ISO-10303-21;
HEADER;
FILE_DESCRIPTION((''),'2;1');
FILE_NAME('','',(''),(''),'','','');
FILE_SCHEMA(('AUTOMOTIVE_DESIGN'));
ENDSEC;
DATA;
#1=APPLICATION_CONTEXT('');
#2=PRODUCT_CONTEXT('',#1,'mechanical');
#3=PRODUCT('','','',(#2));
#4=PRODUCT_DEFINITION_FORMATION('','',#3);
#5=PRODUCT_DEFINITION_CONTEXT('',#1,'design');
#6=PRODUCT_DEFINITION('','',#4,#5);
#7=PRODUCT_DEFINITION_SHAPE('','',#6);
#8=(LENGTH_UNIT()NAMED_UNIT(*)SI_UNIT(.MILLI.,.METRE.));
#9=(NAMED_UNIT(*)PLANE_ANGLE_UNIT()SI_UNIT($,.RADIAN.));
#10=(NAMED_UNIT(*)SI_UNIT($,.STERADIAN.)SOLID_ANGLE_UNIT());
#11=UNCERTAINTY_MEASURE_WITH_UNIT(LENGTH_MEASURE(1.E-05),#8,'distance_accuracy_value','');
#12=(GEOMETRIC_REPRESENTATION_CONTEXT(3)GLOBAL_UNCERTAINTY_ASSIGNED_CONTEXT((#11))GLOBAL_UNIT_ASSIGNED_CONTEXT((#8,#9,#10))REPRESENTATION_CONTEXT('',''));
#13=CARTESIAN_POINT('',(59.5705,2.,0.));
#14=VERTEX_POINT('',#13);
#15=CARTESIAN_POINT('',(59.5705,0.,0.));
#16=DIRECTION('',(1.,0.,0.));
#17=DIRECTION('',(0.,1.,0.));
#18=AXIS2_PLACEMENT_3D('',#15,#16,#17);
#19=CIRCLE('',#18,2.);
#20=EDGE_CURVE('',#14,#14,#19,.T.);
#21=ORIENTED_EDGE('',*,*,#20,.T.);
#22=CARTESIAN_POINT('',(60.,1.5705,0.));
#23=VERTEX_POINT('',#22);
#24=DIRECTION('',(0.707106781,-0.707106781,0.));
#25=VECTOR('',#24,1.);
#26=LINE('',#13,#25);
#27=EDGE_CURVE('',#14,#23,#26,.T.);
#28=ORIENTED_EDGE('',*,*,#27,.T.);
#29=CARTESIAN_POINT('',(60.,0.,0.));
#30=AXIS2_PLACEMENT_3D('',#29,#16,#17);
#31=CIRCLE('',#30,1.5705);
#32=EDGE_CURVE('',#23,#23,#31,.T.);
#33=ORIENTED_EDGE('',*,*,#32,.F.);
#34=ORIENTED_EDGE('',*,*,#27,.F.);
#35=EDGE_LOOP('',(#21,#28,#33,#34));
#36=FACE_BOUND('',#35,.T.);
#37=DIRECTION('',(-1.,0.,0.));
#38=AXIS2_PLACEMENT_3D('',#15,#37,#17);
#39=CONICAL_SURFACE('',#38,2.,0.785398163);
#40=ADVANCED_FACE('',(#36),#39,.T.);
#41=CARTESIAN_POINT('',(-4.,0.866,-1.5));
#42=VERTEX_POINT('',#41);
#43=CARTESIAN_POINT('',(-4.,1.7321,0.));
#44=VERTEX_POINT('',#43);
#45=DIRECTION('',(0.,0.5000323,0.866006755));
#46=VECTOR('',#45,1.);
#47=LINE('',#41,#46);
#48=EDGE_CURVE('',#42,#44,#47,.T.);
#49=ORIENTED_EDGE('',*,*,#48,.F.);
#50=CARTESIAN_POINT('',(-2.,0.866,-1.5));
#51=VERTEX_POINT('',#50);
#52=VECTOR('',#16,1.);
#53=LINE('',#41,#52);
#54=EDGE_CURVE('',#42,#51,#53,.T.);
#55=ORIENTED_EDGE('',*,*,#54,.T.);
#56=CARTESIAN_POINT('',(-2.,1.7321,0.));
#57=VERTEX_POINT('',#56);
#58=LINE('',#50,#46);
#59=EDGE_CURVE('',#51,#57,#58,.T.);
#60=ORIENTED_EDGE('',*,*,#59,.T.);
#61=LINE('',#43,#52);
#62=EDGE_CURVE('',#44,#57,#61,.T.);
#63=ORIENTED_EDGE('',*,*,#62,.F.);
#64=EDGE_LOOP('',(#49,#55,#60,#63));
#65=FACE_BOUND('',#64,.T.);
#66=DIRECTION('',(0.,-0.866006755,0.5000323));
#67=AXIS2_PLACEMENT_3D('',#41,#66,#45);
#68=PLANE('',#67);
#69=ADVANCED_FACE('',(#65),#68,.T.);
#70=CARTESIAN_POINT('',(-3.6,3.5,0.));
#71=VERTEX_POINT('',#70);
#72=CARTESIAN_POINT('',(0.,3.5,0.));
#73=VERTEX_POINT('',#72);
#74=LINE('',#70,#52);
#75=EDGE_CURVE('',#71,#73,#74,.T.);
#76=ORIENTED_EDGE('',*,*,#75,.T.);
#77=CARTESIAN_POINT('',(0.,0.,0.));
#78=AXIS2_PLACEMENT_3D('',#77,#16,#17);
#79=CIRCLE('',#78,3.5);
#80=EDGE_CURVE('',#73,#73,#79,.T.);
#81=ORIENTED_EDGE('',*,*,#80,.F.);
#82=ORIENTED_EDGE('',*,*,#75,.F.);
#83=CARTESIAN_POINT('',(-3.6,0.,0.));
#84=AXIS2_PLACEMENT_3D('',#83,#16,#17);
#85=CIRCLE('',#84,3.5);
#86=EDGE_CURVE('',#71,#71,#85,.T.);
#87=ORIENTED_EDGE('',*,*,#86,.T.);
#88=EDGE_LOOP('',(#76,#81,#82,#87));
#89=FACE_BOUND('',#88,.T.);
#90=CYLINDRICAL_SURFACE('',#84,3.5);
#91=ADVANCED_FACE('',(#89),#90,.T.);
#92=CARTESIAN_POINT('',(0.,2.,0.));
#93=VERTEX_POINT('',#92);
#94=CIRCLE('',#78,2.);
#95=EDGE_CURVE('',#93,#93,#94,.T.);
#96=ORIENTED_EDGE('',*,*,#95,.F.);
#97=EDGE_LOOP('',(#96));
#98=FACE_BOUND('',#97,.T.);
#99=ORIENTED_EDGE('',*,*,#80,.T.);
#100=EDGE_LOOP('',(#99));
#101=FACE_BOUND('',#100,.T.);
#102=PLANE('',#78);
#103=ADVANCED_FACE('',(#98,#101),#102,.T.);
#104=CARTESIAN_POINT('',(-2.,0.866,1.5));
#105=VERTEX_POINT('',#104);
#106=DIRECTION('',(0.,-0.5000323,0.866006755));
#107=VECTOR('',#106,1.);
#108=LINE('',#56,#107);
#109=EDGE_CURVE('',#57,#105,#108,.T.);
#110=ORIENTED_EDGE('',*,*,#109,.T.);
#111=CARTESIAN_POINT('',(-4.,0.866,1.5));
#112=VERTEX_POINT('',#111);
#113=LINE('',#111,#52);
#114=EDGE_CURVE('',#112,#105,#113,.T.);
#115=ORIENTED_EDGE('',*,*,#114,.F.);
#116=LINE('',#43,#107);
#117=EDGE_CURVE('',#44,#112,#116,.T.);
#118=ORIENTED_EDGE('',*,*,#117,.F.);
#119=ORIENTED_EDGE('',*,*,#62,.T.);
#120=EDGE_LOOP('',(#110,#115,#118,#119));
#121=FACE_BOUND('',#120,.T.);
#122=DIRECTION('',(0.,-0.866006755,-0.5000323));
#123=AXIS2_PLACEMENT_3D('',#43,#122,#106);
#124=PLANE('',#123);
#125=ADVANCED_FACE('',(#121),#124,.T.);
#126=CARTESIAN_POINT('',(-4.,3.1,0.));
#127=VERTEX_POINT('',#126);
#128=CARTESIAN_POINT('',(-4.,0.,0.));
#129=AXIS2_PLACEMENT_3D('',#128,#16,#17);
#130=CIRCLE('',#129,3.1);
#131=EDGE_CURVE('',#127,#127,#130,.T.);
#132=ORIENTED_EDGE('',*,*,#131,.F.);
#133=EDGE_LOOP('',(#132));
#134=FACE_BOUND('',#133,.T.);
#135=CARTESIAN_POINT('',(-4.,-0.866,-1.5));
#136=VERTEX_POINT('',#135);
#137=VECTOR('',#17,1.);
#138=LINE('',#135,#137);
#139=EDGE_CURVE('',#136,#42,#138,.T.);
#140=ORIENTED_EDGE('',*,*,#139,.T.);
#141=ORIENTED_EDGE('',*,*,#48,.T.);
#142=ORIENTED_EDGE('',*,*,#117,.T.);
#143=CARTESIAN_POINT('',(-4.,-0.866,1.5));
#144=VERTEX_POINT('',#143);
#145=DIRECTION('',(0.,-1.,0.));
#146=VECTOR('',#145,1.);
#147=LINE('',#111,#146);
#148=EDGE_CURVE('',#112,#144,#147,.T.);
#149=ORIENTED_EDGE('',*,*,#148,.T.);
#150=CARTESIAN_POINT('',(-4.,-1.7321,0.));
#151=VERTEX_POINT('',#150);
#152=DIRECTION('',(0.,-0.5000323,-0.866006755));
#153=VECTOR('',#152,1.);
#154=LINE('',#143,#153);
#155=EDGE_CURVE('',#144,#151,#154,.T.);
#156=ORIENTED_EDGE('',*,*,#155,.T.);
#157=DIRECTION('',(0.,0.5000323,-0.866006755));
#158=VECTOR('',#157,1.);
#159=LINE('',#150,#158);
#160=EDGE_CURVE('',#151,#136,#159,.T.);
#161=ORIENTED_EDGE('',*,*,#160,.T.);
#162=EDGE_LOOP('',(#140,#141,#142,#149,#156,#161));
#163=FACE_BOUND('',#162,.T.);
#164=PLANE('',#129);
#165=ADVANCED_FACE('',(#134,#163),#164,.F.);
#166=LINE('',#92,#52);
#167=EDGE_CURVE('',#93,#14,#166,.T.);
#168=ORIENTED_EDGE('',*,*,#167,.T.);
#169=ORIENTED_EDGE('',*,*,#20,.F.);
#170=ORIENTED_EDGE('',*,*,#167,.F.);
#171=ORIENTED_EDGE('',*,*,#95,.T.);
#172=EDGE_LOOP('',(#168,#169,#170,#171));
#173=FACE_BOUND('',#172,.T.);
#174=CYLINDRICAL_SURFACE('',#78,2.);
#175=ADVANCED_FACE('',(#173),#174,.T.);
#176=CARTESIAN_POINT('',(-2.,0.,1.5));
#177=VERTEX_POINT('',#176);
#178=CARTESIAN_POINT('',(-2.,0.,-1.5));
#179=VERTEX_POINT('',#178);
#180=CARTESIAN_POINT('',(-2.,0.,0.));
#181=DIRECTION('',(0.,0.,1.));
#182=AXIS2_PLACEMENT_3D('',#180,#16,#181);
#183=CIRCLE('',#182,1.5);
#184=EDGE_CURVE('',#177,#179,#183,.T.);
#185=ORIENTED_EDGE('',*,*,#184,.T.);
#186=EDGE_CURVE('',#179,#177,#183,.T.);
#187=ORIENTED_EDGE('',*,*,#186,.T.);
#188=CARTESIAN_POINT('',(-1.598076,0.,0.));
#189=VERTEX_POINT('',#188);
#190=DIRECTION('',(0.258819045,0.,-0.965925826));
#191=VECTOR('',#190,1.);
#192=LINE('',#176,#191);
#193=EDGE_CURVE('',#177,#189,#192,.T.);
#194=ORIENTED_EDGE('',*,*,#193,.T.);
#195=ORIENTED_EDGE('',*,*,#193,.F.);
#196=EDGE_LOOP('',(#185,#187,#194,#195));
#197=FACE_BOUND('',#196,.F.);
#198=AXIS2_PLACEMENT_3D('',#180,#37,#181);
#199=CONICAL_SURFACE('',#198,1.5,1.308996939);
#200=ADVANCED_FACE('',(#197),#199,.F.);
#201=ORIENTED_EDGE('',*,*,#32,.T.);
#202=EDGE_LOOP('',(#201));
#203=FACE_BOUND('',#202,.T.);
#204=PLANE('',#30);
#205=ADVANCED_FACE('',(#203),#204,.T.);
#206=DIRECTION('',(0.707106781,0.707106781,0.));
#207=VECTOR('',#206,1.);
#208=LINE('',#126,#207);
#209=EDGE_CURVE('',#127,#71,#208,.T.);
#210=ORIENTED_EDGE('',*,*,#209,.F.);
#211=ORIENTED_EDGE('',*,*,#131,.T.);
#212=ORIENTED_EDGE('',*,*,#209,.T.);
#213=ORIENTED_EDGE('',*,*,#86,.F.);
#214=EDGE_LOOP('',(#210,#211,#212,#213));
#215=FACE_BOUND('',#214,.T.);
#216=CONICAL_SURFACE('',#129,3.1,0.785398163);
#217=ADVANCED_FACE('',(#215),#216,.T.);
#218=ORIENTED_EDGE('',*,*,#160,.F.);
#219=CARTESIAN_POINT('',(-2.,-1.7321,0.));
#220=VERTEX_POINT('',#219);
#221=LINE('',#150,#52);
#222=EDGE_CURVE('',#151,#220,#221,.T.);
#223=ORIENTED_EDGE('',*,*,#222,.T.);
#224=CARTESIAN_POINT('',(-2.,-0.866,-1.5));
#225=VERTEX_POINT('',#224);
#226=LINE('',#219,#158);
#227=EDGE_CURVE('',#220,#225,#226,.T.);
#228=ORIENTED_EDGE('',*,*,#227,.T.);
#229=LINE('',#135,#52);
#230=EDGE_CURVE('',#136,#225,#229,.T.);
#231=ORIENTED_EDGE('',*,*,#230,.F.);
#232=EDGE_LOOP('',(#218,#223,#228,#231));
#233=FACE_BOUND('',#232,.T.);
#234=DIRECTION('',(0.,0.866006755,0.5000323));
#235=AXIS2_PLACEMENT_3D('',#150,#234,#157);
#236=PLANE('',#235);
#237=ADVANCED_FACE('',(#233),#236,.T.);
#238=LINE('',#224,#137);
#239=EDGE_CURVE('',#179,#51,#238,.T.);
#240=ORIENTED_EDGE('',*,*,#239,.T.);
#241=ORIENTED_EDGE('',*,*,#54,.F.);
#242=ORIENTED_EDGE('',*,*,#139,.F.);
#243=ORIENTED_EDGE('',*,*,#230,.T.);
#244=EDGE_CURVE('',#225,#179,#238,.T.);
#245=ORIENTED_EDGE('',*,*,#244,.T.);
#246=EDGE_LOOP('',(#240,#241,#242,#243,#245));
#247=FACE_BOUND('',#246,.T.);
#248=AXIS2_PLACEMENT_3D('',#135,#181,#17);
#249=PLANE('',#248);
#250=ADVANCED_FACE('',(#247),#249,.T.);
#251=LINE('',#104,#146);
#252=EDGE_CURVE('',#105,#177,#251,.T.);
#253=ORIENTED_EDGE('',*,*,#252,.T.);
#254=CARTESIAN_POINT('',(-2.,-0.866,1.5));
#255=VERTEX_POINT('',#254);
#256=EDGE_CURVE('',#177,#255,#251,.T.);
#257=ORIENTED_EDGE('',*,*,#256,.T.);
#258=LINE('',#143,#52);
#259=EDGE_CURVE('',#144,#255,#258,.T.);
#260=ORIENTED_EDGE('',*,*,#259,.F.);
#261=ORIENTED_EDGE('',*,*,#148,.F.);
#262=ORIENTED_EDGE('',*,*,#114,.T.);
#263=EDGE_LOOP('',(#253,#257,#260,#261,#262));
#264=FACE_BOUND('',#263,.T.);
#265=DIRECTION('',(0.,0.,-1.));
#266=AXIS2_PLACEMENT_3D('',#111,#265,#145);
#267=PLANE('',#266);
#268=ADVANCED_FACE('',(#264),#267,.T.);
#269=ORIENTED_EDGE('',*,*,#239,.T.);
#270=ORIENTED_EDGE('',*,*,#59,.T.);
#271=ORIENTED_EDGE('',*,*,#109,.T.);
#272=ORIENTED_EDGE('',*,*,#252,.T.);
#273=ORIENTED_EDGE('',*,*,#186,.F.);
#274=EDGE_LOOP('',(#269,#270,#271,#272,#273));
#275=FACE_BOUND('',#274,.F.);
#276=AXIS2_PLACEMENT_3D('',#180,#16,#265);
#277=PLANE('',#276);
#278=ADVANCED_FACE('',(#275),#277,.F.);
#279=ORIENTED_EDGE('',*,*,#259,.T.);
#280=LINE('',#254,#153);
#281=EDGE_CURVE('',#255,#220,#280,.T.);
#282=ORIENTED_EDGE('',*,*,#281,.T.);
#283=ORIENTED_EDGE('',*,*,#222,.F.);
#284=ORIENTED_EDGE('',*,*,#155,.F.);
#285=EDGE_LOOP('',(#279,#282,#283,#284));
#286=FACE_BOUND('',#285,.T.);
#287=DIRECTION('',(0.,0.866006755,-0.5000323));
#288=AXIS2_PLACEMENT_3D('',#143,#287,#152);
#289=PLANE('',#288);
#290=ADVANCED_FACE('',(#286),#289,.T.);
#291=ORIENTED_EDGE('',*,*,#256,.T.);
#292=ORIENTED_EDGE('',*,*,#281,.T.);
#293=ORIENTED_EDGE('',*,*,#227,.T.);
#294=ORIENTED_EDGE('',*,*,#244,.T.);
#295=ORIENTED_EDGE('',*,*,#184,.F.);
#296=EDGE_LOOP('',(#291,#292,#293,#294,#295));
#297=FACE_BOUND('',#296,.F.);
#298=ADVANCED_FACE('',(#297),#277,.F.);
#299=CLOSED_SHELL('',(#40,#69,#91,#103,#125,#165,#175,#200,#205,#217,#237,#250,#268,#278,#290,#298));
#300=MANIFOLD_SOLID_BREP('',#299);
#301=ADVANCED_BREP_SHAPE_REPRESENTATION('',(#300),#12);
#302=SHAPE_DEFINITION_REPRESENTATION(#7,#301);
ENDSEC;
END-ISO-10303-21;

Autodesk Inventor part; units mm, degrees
sketch "Sketch_2" plane through (0, 0, 0) normal (0, 0, 1) x (1, 0, 0)
  line L0 (60, 0) -> (-4, 0)
  line L1 (-4, 0) -> (-4, 3.1)
  line L2 (-4, 3.1) -> (-3.6, 3.5)
  line L3 (-3.6, 3.5) -> (0, 3.5)
  line L4 (0, 3.5) -> (0, 2)
  line L5 (0, 2) -> (59.5705, 2)
  line L6 (59.5705, 2) -> (60, 1.5705)
  line L7 (60, 1.5705) -> (60, 0)
  line L8 (60, 0) -> (-4, 0)
revolve "Revolution1" add sketch "Sketch_2" angle 360 about axis through (60, 0, 0) along (1, 0, 0)
thread "Thread1" size "M4x0.7" class "6g" standard "ISO Metric profile" length 19.5705
sketch "Sketch2" plane through (-4, 0, 0) normal (-1, 0, 0) x (0, 0, 1)
  point P0 (0, 0)
hole "Hole1" at (-4, 0, 0) direction (1, 0, 0) diameter 3 depth 2 tip angle 150
sketch "Sketch_3" plane through (-4, 0, 0) normal (1, 0, 0) x (0, 0, -1)
  line L0 (-1.5, -0.866) -> (0, -1.7321)
  line L1 (0, -1.7321) -> (1.5, -0.866)
  line L2 (1.5, -0.866) -> (1.5, 0.866)
  line L3 (1.5, 0.866) -> (0, 1.7321)
  line L4 (0, 1.7321) -> (-1.5, 0.866)
  line L5 (-1.5, 0.866) -> (-1.5, -0.866)
extrude "Extrusion1" cut sketch "Sketch_3" along normal blind 2
ref_plane "bolt_to_nut_XY" through (60, 0, 0) normal (1, 0, 0) x (0, 0, -1)
ref_plane "bolt_to_nut_YZ" through (60, 0, 0) normal (0, 0, -1) x (0, 1, 0)
ref_plane "bolt_to_nut_ZX" through (60, 0, 0) normal (0, 1, 0) x (1, 0, 0)
ref_plane "screw1_XY" through (0, 0, 0) normal (1, 0, 0) x (0, 0, -1)
ref_plane "screw1_YZ" through (0, 0, 0) normal (0, 0, -1) x (0, 1, 0)
ref_plane "screw1_ZX" through (0, 0, 0) normal (0, 1, 0) x (1, 0, 0)
properties part number "CB4-60" material "鋼、炭素鋼"
